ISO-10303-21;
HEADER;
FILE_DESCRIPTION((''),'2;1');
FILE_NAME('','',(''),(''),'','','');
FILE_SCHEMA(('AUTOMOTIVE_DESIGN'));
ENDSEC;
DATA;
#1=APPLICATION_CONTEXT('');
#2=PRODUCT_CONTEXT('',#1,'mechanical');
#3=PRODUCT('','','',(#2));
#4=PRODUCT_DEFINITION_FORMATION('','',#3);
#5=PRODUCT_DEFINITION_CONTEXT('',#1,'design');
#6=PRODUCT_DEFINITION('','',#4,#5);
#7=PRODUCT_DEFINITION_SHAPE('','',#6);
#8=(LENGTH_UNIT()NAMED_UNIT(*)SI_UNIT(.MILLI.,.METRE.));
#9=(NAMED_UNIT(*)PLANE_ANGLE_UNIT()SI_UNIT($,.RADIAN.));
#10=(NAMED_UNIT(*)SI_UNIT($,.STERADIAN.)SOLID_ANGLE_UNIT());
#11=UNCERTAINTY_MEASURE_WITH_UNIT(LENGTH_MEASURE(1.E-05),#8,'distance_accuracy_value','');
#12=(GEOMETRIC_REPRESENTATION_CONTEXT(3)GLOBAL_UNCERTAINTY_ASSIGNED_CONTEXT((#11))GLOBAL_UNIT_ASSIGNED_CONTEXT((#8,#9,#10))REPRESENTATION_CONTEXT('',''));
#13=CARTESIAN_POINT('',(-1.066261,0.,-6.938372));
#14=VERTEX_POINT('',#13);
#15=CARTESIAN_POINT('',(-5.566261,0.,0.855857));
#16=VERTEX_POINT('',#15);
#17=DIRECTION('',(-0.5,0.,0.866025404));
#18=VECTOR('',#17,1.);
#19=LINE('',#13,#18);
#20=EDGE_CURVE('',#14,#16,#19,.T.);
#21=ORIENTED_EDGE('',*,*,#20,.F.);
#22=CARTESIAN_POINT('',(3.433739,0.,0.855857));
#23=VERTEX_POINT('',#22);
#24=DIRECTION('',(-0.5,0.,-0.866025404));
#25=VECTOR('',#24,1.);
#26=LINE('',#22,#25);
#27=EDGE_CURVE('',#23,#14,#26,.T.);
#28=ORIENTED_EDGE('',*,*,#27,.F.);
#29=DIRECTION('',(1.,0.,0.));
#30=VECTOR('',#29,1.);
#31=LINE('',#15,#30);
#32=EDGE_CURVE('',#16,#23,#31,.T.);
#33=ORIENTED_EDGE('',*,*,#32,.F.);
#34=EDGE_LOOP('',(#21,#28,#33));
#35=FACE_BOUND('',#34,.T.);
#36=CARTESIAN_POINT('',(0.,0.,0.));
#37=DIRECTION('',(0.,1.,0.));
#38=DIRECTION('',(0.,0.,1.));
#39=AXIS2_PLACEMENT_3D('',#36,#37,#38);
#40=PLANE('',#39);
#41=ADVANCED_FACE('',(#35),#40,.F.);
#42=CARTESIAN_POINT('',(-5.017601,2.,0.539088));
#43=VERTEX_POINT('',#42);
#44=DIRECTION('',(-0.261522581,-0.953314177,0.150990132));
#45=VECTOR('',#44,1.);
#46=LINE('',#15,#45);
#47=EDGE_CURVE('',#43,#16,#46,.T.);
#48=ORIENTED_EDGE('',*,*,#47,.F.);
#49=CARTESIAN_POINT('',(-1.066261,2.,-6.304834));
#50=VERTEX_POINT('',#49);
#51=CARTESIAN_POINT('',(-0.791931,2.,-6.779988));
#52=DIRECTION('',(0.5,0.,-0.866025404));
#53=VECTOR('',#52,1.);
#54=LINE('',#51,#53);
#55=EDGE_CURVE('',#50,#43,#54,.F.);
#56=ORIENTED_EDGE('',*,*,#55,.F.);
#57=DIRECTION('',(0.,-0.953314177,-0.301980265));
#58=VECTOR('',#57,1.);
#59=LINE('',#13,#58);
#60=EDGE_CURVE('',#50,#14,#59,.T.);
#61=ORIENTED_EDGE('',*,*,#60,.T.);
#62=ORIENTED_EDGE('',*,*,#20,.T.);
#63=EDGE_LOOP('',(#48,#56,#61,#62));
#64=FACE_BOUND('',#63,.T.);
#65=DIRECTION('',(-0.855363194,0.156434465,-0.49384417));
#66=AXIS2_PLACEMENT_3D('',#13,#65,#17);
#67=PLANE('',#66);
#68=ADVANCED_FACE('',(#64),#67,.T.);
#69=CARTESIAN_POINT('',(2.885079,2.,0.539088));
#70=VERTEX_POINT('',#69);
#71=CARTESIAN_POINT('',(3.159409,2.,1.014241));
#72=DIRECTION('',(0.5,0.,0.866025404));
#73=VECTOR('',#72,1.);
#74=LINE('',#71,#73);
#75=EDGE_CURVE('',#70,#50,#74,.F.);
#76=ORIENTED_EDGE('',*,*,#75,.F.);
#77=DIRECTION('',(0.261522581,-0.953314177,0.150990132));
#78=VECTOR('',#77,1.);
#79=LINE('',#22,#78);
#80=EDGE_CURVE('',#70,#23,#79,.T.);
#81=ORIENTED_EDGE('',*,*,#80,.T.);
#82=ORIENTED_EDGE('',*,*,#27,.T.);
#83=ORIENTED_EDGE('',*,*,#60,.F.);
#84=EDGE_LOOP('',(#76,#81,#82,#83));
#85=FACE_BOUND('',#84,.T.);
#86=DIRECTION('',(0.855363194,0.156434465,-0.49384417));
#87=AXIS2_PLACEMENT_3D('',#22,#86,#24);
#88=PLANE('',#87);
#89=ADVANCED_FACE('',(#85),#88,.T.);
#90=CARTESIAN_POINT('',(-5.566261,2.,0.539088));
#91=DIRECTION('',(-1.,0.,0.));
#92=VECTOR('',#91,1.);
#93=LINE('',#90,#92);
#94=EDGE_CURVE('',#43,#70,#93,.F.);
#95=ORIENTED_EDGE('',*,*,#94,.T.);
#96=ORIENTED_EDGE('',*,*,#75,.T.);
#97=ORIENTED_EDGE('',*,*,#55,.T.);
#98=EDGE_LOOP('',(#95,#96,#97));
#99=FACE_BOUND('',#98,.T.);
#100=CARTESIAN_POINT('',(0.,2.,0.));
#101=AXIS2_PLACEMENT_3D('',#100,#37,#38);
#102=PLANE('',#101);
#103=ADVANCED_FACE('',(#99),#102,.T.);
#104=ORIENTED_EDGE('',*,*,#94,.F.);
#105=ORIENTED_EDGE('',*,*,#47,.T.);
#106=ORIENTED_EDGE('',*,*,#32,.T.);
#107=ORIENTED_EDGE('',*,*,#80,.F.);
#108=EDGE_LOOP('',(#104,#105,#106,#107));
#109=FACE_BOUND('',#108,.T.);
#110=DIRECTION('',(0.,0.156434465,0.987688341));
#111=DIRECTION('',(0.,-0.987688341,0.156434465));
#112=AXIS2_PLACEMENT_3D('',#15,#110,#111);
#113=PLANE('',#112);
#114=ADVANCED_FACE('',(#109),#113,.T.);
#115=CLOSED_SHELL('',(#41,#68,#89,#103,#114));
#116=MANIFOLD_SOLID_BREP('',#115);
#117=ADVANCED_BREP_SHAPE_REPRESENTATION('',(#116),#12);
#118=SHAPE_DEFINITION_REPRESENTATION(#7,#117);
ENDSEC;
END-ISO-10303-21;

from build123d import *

# Parameters (mm, degrees)
BOSS_EXTRUDE1_DEPTH = 2
BOSS_EXTRUDE1_TAPER = 9


with BuildPart() as part:
    # Sketch1 → Boss-Extrude1 (new body)
    with BuildSketch(Plane(origin=(0, 0, 0), x_dir=(1, 0, 0), z_dir=(0, 1, 0))):
        Polygon((3.433738771, -0.855856628), (-1.066261229, 6.938372006), (-5.566261229, -0.855856628), align=None)
    extrude(amount=BOSS_EXTRUDE1_DEPTH, taper=BOSS_EXTRUDE1_TAPER)


solid = part.part
